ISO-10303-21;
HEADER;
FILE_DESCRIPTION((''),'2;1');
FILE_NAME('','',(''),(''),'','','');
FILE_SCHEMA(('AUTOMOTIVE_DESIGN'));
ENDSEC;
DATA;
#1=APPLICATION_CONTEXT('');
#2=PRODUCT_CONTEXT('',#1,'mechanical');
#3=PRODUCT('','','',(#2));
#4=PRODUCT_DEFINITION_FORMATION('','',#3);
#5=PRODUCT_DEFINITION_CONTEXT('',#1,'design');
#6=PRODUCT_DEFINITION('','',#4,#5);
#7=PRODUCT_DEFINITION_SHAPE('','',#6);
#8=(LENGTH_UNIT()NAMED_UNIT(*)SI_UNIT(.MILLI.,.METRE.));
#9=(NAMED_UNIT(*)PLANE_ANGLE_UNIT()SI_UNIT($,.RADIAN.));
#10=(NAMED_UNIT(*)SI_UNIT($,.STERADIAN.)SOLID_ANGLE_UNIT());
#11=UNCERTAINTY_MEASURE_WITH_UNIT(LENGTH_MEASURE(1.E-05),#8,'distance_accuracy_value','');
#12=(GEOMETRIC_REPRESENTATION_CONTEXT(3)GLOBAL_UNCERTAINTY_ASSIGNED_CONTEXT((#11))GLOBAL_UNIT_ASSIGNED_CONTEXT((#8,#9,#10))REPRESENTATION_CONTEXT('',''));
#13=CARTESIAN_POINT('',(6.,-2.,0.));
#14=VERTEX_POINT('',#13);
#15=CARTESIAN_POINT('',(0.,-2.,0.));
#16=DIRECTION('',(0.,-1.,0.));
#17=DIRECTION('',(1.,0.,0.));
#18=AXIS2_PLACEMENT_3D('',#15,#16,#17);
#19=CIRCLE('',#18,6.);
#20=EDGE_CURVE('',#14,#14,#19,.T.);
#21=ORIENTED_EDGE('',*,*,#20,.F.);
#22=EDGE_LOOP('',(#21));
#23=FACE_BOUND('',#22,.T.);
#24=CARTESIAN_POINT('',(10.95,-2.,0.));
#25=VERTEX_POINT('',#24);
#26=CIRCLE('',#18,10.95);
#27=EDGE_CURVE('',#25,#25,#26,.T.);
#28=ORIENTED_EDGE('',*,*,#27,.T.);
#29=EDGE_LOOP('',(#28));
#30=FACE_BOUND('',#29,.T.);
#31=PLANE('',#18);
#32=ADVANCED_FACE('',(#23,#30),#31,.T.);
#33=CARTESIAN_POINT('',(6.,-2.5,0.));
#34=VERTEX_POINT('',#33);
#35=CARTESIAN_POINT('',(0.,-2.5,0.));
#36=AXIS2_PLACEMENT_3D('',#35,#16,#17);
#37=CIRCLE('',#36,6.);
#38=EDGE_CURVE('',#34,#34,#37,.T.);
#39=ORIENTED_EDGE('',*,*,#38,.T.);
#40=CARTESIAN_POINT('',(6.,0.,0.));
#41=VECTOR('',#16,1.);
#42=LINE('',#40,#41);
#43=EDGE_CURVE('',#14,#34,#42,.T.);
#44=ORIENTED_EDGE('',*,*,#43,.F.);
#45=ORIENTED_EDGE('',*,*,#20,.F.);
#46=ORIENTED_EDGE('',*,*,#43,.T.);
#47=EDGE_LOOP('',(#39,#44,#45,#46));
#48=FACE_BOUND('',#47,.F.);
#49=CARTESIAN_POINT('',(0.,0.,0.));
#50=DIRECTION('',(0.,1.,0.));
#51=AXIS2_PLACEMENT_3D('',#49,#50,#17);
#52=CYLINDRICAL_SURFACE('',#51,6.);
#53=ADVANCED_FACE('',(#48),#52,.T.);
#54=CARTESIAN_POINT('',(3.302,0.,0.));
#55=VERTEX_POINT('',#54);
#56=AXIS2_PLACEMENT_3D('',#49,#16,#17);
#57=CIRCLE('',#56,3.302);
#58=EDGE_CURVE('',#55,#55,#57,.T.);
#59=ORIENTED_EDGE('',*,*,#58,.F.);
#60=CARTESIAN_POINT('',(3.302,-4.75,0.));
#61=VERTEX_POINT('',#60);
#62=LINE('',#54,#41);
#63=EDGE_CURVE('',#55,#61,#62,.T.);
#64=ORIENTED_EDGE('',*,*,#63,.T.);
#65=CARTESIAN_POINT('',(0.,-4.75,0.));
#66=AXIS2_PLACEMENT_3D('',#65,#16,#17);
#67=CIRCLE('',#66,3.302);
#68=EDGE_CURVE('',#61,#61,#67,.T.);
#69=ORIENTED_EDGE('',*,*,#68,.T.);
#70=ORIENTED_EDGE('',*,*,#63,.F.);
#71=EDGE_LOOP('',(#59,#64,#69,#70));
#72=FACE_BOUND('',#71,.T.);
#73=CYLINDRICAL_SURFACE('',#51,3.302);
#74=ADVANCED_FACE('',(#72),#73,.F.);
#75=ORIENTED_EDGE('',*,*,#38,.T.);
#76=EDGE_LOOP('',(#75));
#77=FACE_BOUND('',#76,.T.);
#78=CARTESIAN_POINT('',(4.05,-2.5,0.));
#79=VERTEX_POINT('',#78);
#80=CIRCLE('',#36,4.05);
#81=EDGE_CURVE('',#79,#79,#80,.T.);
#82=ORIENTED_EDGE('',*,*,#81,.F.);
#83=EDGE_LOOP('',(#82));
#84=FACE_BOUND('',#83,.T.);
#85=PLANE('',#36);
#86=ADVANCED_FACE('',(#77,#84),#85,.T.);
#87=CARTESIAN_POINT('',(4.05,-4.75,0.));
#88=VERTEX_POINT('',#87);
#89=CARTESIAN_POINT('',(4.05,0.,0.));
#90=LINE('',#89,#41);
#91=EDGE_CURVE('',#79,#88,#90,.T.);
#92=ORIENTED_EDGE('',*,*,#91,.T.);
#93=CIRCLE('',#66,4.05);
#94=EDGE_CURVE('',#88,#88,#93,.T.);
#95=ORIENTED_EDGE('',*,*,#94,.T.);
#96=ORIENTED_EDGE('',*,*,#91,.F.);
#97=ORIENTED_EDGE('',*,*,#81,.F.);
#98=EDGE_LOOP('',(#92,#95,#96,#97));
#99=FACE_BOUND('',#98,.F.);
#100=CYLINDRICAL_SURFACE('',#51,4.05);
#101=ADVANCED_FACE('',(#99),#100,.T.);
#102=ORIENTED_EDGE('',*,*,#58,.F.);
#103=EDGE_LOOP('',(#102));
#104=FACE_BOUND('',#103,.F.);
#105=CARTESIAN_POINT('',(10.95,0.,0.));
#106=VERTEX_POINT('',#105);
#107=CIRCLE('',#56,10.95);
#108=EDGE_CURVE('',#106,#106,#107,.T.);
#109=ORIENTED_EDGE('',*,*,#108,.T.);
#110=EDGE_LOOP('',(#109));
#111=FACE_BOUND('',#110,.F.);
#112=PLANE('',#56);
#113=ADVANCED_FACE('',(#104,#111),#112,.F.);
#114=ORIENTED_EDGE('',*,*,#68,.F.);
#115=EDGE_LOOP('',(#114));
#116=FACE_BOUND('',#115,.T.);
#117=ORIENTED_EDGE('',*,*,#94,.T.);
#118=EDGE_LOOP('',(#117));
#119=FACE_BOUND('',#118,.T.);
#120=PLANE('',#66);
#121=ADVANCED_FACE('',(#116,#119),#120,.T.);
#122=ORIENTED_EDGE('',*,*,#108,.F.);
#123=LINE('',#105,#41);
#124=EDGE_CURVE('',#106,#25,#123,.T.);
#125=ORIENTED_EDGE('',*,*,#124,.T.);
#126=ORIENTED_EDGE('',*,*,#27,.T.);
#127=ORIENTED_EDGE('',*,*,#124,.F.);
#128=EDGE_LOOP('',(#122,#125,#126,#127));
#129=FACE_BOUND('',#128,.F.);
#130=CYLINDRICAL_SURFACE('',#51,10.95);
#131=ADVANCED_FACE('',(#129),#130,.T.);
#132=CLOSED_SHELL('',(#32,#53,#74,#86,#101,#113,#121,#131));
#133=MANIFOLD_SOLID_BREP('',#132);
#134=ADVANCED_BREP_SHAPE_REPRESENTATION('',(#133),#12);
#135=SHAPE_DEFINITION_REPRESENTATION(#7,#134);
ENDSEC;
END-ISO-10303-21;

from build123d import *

# Parameters (mm, degrees)
F0_R     = 10.95
F0_R_2   = 7.95
F1_DEPTH = 2
F0_R_3   = 6
F2_DEPTH = 2
F0_R_4   = 4.05
F3_DEPTH = 2.5
F0_R_5   = 3.302
F4_DEPTH = 4.75


with BuildPart() as f1:
    # F0 (on Front) → F1 (new body)
    with BuildSketch(Plane.XZ):
        Circle(F0_R)
        Circle(F0_R_2, mode=Mode.SUBTRACT)
    extrude(amount=F1_DEPTH)

    # F0 (on Front) → F2 (join)
    with BuildSketch(Plane.XZ):
        Circle(F0_R_2)
        Circle(F0_R_3, mode=Mode.SUBTRACT)
    extrude(amount=F2_DEPTH)

    # F0 (on Front) → F3 (join)
    with BuildSketch(Plane.XZ):
        Circle(F0_R_3)
        Circle(F0_R_4, mode=Mode.SUBTRACT)
    extrude(amount=F3_DEPTH)

    # F0 (on Front) → F4 (join)
    with BuildSketch(Plane.XZ):
        Circle(F0_R_4)
        Circle(F0_R_5, mode=Mode.SUBTRACT)
    extrude(amount=F4_DEPTH)


solid = f1.part
